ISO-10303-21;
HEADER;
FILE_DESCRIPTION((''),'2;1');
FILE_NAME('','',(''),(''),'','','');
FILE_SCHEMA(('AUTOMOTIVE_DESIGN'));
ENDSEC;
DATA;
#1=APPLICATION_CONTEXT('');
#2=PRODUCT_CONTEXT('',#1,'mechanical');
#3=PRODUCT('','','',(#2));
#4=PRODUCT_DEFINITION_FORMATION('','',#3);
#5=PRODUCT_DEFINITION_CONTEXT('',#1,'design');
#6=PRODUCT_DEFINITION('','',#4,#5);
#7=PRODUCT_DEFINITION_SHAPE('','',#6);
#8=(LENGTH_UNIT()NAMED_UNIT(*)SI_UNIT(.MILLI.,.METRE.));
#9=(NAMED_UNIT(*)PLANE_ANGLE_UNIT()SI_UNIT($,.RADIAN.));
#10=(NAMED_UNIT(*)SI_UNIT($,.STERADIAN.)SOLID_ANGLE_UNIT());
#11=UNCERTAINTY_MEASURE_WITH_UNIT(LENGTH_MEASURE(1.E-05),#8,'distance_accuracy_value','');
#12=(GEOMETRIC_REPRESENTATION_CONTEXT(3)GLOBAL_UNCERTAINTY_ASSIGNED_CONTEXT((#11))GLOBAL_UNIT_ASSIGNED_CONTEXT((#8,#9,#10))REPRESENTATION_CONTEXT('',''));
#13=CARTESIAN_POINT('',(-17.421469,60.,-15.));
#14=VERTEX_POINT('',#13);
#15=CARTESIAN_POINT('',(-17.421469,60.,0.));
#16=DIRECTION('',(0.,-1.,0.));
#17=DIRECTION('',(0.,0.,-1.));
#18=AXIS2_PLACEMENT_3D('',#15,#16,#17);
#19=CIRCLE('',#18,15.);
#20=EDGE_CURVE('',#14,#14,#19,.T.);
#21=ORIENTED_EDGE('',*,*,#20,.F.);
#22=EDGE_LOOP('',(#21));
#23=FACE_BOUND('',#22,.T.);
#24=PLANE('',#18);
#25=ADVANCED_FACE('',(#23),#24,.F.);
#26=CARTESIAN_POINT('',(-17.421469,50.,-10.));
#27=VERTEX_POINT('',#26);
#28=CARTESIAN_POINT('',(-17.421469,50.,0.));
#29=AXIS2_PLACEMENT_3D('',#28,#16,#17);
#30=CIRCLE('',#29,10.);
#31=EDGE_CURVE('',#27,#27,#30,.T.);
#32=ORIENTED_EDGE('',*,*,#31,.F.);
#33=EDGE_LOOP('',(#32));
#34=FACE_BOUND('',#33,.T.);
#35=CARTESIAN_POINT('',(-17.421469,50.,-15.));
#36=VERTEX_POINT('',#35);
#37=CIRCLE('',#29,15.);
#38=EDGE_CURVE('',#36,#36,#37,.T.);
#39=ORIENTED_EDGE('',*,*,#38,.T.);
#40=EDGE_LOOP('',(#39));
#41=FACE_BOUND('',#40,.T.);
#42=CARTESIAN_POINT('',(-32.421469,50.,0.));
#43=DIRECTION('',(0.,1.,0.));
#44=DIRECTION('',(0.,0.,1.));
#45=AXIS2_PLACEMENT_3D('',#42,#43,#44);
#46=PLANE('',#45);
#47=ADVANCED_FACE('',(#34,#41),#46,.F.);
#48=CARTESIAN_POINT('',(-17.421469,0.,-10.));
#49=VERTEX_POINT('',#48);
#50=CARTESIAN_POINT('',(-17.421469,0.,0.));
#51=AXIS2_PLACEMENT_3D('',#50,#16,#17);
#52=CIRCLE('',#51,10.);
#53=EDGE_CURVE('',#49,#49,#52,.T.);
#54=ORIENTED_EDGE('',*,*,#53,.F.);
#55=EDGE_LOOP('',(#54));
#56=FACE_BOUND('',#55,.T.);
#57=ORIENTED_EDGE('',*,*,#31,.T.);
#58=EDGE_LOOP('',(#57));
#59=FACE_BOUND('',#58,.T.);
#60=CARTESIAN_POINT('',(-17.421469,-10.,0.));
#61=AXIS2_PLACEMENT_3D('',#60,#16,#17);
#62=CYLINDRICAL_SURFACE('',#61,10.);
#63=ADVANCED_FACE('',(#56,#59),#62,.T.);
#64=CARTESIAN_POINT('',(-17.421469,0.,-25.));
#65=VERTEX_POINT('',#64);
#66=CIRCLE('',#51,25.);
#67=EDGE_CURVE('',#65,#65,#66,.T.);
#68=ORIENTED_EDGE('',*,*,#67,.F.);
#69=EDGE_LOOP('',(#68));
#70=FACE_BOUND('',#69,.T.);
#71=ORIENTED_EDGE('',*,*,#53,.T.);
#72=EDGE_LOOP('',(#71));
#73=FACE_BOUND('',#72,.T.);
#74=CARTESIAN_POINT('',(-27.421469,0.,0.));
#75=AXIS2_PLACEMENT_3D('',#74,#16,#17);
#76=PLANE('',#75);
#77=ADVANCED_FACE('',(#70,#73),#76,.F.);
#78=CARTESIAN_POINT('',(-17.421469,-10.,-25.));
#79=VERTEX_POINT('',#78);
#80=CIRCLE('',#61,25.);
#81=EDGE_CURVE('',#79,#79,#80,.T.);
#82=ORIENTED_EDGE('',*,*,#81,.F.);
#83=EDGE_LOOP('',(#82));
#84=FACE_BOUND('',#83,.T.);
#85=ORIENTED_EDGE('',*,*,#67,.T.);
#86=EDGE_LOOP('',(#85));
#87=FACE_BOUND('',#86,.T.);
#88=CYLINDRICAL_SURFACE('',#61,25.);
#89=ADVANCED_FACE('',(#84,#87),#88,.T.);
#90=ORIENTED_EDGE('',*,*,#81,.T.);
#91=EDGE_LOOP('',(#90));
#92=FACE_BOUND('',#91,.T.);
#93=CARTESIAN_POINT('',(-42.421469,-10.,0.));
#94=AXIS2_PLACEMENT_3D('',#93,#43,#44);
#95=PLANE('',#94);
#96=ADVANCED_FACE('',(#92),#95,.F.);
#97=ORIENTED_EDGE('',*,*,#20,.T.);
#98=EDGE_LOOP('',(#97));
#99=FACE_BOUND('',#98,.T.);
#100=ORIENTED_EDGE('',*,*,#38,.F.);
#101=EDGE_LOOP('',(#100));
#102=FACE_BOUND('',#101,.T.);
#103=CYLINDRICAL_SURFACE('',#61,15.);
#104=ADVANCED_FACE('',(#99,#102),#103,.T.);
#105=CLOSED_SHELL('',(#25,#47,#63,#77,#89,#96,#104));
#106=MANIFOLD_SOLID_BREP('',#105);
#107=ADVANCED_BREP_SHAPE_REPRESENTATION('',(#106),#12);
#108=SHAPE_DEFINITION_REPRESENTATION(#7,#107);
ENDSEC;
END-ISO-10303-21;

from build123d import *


with BuildPart() as part:
    # 草图1 → 旋转1 (revolve)
    with BuildSketch(Plane.XY, mode=Mode.PRIVATE) as revolve_1_sk:
        Polygon((-42.42146862, -10), (-17.42146862, -10), (-17.42146862, 60), (-32.42146862, 60), (-32.42146862, 50), (-27.42146862, 50), (-27.42146862, 0), (-42.42146862, 0), align=None)
    revolve(revolve_1_sk.sketch.rotate(Axis((-17.42146862, -10, 0), (0, 1, 0)), 270), axis=Axis((-17.42146862, -10, 0), (0, 1, 0)))


solid = part.part
